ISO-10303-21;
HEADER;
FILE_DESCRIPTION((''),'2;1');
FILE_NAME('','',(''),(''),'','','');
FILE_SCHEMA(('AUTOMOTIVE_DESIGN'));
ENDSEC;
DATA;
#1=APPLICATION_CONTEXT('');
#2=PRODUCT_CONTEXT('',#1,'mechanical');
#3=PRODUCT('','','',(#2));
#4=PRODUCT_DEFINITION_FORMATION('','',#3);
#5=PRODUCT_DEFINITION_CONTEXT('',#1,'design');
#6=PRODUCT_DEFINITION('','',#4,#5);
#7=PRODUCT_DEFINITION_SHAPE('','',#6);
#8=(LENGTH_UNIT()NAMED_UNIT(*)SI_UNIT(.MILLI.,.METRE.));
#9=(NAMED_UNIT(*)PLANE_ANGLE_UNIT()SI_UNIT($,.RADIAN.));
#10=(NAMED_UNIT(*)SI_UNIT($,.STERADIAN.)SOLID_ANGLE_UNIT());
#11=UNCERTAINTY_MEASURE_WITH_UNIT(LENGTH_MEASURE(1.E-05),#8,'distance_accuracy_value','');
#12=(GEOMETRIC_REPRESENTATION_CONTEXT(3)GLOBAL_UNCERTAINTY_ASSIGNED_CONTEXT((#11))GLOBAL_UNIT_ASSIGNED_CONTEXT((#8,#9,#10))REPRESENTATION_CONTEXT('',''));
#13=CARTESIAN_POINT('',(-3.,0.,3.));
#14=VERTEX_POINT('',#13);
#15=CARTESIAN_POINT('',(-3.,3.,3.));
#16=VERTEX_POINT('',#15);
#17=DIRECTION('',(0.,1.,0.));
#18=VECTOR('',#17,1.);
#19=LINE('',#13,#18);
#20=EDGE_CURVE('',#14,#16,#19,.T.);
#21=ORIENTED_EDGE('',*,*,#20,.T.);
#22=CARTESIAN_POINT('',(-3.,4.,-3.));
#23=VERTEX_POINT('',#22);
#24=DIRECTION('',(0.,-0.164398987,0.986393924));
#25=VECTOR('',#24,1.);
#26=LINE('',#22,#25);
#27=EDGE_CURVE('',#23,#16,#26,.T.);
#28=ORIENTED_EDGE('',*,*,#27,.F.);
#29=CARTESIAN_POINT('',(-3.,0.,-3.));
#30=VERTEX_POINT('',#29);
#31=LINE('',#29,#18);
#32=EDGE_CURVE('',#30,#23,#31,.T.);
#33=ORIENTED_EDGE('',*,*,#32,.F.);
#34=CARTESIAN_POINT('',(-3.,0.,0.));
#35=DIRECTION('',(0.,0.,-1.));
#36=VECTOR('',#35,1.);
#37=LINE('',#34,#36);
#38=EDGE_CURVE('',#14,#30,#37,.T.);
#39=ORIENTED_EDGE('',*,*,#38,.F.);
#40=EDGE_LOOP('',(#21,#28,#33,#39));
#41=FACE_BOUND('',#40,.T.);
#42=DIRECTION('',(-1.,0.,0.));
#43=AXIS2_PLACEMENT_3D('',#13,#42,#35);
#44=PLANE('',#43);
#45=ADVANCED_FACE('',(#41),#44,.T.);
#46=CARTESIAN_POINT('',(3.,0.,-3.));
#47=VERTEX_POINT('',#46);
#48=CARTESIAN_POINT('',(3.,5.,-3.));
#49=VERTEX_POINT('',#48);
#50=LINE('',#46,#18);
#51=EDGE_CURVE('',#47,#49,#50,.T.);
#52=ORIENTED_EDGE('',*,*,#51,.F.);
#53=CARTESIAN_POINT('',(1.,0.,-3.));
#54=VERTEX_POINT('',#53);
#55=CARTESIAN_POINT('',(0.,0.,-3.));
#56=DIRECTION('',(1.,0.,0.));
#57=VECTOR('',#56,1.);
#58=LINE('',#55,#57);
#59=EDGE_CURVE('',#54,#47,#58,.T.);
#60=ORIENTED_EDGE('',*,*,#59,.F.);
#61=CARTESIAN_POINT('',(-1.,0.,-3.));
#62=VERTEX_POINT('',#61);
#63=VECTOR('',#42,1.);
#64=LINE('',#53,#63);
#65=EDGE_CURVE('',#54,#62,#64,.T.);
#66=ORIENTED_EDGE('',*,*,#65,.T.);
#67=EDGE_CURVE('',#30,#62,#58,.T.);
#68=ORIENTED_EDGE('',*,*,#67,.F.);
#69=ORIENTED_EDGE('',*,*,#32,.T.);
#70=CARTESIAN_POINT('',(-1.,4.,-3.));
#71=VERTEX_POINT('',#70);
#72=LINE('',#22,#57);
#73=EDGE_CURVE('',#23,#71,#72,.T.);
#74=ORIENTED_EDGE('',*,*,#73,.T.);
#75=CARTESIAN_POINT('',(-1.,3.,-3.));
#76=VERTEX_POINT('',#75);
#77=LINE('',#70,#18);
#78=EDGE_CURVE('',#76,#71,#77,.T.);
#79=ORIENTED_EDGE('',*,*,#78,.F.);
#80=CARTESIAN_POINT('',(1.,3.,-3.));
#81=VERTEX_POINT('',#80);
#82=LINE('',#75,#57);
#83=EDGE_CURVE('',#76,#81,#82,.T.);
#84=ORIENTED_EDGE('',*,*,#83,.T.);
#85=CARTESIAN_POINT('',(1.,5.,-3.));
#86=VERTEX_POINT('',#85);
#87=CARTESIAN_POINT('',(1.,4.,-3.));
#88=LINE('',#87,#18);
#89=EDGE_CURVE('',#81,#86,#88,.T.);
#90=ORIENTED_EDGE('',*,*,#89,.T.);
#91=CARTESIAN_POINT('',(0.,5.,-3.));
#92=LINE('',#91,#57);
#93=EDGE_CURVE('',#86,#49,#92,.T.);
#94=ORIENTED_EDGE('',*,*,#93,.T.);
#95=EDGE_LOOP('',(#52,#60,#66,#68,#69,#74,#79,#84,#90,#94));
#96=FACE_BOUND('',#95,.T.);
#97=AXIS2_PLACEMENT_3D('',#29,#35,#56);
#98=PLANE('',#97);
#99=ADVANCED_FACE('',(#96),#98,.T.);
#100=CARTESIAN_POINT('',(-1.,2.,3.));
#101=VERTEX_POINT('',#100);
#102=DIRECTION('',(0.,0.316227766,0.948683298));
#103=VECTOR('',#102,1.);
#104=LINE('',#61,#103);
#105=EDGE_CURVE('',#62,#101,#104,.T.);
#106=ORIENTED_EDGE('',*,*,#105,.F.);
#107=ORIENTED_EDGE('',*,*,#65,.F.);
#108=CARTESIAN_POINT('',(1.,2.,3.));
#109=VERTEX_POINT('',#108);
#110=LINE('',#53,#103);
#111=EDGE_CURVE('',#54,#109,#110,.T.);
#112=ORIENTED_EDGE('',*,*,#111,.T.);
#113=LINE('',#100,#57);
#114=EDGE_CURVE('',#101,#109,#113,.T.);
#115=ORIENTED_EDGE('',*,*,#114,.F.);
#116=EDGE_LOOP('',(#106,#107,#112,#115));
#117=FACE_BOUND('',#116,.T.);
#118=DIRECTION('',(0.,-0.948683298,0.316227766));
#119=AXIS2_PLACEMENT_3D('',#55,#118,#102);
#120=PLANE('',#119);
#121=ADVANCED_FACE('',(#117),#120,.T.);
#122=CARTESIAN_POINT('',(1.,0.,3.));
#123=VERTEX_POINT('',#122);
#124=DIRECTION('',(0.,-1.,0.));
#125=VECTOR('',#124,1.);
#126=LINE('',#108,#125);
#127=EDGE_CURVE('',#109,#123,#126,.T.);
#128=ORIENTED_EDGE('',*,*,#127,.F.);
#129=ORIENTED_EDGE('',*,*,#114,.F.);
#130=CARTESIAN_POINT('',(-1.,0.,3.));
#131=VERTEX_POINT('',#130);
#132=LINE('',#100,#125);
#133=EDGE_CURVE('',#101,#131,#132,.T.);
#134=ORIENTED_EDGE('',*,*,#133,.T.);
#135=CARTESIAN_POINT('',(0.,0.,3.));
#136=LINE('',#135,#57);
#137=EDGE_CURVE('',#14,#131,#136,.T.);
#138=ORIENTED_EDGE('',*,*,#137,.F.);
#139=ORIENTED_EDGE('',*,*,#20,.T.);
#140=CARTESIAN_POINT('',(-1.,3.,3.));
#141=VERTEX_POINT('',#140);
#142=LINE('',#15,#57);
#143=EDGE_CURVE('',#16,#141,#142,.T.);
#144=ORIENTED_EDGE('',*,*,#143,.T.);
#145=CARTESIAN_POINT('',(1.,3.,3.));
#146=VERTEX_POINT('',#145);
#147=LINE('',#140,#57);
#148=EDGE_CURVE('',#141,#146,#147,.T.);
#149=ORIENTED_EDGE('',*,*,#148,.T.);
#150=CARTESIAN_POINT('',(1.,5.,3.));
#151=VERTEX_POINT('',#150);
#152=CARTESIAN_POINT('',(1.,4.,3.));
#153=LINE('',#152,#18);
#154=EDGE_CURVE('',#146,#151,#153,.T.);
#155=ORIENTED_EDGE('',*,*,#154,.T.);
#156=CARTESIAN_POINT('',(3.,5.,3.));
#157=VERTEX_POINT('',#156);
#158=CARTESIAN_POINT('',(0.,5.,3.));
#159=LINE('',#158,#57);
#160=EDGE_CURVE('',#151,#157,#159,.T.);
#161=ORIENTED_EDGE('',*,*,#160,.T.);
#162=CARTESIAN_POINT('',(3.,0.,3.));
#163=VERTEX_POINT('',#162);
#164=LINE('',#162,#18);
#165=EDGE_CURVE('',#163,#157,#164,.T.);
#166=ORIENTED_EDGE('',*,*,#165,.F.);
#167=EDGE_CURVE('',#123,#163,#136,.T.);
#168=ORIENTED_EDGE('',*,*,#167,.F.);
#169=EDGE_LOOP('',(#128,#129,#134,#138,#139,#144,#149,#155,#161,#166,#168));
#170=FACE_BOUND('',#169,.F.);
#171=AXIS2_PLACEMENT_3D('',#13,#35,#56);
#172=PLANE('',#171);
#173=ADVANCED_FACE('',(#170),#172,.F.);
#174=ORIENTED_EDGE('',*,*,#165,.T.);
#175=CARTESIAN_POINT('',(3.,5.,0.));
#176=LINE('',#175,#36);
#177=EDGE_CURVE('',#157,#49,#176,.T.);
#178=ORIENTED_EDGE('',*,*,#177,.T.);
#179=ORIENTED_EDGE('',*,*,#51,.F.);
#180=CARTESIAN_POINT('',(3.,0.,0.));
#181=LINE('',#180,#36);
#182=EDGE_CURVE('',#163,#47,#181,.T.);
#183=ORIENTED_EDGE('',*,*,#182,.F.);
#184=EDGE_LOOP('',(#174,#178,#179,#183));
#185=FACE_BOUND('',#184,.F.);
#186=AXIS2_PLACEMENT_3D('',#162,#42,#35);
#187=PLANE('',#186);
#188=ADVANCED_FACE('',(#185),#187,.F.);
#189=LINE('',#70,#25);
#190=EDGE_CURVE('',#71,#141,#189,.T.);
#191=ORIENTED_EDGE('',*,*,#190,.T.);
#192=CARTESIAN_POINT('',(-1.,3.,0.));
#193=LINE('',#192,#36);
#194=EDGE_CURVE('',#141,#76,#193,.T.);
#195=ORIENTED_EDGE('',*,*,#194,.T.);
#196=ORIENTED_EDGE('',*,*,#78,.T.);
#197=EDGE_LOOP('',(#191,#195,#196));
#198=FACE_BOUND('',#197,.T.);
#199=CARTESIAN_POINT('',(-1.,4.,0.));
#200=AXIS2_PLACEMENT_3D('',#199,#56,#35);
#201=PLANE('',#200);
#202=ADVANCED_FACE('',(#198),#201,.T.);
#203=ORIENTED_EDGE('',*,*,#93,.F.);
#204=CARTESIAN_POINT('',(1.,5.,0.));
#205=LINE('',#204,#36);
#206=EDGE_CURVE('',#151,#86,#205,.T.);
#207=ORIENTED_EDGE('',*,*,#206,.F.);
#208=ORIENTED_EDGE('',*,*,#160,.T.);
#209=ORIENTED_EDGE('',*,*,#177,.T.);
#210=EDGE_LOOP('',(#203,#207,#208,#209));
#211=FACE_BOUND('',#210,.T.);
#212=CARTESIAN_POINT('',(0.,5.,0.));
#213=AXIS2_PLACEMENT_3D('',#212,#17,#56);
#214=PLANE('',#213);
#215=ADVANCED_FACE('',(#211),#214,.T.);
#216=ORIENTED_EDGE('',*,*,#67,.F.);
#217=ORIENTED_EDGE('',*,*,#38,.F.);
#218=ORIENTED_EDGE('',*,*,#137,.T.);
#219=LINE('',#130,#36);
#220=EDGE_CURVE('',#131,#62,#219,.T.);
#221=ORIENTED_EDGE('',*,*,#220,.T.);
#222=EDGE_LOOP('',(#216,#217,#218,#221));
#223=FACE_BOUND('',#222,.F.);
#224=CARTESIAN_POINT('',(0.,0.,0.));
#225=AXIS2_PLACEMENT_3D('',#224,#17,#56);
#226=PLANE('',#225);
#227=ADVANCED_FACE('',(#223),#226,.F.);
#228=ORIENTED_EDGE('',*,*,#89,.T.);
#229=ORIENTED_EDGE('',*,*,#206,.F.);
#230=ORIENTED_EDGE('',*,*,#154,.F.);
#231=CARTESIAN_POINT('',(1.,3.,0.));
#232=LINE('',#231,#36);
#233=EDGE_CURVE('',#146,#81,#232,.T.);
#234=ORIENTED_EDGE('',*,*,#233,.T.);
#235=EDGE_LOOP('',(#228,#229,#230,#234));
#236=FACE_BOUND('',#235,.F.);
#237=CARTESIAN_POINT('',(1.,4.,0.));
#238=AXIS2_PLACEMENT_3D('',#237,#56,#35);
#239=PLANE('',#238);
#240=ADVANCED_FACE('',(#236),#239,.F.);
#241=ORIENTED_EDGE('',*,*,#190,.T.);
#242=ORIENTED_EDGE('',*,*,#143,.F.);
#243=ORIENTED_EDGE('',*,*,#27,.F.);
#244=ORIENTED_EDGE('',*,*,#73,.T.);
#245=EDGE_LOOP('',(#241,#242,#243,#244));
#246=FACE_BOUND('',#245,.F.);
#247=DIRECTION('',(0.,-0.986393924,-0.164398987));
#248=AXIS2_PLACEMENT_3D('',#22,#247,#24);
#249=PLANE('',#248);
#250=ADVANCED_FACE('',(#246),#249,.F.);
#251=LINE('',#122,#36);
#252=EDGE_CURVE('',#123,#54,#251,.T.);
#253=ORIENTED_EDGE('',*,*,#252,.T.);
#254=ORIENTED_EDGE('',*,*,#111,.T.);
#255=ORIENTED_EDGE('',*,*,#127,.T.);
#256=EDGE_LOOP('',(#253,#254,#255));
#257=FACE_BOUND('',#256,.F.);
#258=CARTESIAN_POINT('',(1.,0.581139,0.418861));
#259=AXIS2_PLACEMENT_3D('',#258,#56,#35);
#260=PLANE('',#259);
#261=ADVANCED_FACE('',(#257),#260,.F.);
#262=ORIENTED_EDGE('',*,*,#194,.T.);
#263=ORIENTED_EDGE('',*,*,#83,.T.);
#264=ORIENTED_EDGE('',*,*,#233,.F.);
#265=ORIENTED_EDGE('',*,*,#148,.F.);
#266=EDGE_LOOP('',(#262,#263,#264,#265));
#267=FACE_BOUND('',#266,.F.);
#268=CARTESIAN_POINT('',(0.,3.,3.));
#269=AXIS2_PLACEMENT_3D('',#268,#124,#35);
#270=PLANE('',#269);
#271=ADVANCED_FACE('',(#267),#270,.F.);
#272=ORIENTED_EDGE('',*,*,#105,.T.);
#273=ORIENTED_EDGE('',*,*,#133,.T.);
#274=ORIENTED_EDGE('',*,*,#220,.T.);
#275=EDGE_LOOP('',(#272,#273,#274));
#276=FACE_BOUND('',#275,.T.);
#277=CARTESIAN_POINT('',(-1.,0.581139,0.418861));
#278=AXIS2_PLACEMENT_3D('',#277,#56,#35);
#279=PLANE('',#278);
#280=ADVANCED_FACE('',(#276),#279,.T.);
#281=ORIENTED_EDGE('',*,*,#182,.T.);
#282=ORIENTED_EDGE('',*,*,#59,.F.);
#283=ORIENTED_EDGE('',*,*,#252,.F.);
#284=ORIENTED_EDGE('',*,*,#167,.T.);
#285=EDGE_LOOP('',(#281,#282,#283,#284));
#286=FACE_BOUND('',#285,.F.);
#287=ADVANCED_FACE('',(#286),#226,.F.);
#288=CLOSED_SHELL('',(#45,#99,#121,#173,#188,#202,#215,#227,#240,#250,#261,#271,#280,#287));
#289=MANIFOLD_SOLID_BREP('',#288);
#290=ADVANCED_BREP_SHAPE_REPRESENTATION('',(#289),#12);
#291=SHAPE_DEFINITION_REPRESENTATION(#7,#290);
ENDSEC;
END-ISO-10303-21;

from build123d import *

# Parameters (mm, degrees)
SKETCH1_W           = 6
SKETCH1_H           = 6
BOSS_EXTRUDE1_DEPTH = 5
SKETCH2_W           = 6
SKETCH2_H           = 2
CUT_EXTRUDE1_DEPTH  = 1
CUT_EXTRUDE2_DEPTH  = 2


with BuildPart() as part:
    # Sketch1 → Boss-Extrude1 (new body)
    with BuildSketch(Plane(origin=(0, 0, 0), x_dir=(1, 0, 0), z_dir=(0, 1, 0))):
        Rectangle(SKETCH1_W, SKETCH1_H)
    extrude(amount=BOSS_EXTRUDE1_DEPTH)

    # Sketch2 → Cut-Extrude1 (cut, symmetric)
    with BuildSketch(Plane(origin=(0, 0, 0), x_dir=(0, 0, -1), z_dir=(1, 0, 0))):
        Polygon((3, 0), (-3, 2), (-3, 0), align=None)
        with Locations((0, 4)):
            Rectangle(SKETCH2_W, SKETCH2_H)
    extrude(amount=CUT_EXTRUDE1_DEPTH, both=True, mode=Mode.SUBTRACT)

    # Sketch3 → Cut-Extrude2 (cut)
    with BuildSketch(Plane.ZY.offset(3)):
        Polygon((-3, 4), (3, 3), (3, 5), (-3, 5), align=None)
    extrude(amount=-CUT_EXTRUDE2_DEPTH, mode=Mode.SUBTRACT)


solid = part.part
